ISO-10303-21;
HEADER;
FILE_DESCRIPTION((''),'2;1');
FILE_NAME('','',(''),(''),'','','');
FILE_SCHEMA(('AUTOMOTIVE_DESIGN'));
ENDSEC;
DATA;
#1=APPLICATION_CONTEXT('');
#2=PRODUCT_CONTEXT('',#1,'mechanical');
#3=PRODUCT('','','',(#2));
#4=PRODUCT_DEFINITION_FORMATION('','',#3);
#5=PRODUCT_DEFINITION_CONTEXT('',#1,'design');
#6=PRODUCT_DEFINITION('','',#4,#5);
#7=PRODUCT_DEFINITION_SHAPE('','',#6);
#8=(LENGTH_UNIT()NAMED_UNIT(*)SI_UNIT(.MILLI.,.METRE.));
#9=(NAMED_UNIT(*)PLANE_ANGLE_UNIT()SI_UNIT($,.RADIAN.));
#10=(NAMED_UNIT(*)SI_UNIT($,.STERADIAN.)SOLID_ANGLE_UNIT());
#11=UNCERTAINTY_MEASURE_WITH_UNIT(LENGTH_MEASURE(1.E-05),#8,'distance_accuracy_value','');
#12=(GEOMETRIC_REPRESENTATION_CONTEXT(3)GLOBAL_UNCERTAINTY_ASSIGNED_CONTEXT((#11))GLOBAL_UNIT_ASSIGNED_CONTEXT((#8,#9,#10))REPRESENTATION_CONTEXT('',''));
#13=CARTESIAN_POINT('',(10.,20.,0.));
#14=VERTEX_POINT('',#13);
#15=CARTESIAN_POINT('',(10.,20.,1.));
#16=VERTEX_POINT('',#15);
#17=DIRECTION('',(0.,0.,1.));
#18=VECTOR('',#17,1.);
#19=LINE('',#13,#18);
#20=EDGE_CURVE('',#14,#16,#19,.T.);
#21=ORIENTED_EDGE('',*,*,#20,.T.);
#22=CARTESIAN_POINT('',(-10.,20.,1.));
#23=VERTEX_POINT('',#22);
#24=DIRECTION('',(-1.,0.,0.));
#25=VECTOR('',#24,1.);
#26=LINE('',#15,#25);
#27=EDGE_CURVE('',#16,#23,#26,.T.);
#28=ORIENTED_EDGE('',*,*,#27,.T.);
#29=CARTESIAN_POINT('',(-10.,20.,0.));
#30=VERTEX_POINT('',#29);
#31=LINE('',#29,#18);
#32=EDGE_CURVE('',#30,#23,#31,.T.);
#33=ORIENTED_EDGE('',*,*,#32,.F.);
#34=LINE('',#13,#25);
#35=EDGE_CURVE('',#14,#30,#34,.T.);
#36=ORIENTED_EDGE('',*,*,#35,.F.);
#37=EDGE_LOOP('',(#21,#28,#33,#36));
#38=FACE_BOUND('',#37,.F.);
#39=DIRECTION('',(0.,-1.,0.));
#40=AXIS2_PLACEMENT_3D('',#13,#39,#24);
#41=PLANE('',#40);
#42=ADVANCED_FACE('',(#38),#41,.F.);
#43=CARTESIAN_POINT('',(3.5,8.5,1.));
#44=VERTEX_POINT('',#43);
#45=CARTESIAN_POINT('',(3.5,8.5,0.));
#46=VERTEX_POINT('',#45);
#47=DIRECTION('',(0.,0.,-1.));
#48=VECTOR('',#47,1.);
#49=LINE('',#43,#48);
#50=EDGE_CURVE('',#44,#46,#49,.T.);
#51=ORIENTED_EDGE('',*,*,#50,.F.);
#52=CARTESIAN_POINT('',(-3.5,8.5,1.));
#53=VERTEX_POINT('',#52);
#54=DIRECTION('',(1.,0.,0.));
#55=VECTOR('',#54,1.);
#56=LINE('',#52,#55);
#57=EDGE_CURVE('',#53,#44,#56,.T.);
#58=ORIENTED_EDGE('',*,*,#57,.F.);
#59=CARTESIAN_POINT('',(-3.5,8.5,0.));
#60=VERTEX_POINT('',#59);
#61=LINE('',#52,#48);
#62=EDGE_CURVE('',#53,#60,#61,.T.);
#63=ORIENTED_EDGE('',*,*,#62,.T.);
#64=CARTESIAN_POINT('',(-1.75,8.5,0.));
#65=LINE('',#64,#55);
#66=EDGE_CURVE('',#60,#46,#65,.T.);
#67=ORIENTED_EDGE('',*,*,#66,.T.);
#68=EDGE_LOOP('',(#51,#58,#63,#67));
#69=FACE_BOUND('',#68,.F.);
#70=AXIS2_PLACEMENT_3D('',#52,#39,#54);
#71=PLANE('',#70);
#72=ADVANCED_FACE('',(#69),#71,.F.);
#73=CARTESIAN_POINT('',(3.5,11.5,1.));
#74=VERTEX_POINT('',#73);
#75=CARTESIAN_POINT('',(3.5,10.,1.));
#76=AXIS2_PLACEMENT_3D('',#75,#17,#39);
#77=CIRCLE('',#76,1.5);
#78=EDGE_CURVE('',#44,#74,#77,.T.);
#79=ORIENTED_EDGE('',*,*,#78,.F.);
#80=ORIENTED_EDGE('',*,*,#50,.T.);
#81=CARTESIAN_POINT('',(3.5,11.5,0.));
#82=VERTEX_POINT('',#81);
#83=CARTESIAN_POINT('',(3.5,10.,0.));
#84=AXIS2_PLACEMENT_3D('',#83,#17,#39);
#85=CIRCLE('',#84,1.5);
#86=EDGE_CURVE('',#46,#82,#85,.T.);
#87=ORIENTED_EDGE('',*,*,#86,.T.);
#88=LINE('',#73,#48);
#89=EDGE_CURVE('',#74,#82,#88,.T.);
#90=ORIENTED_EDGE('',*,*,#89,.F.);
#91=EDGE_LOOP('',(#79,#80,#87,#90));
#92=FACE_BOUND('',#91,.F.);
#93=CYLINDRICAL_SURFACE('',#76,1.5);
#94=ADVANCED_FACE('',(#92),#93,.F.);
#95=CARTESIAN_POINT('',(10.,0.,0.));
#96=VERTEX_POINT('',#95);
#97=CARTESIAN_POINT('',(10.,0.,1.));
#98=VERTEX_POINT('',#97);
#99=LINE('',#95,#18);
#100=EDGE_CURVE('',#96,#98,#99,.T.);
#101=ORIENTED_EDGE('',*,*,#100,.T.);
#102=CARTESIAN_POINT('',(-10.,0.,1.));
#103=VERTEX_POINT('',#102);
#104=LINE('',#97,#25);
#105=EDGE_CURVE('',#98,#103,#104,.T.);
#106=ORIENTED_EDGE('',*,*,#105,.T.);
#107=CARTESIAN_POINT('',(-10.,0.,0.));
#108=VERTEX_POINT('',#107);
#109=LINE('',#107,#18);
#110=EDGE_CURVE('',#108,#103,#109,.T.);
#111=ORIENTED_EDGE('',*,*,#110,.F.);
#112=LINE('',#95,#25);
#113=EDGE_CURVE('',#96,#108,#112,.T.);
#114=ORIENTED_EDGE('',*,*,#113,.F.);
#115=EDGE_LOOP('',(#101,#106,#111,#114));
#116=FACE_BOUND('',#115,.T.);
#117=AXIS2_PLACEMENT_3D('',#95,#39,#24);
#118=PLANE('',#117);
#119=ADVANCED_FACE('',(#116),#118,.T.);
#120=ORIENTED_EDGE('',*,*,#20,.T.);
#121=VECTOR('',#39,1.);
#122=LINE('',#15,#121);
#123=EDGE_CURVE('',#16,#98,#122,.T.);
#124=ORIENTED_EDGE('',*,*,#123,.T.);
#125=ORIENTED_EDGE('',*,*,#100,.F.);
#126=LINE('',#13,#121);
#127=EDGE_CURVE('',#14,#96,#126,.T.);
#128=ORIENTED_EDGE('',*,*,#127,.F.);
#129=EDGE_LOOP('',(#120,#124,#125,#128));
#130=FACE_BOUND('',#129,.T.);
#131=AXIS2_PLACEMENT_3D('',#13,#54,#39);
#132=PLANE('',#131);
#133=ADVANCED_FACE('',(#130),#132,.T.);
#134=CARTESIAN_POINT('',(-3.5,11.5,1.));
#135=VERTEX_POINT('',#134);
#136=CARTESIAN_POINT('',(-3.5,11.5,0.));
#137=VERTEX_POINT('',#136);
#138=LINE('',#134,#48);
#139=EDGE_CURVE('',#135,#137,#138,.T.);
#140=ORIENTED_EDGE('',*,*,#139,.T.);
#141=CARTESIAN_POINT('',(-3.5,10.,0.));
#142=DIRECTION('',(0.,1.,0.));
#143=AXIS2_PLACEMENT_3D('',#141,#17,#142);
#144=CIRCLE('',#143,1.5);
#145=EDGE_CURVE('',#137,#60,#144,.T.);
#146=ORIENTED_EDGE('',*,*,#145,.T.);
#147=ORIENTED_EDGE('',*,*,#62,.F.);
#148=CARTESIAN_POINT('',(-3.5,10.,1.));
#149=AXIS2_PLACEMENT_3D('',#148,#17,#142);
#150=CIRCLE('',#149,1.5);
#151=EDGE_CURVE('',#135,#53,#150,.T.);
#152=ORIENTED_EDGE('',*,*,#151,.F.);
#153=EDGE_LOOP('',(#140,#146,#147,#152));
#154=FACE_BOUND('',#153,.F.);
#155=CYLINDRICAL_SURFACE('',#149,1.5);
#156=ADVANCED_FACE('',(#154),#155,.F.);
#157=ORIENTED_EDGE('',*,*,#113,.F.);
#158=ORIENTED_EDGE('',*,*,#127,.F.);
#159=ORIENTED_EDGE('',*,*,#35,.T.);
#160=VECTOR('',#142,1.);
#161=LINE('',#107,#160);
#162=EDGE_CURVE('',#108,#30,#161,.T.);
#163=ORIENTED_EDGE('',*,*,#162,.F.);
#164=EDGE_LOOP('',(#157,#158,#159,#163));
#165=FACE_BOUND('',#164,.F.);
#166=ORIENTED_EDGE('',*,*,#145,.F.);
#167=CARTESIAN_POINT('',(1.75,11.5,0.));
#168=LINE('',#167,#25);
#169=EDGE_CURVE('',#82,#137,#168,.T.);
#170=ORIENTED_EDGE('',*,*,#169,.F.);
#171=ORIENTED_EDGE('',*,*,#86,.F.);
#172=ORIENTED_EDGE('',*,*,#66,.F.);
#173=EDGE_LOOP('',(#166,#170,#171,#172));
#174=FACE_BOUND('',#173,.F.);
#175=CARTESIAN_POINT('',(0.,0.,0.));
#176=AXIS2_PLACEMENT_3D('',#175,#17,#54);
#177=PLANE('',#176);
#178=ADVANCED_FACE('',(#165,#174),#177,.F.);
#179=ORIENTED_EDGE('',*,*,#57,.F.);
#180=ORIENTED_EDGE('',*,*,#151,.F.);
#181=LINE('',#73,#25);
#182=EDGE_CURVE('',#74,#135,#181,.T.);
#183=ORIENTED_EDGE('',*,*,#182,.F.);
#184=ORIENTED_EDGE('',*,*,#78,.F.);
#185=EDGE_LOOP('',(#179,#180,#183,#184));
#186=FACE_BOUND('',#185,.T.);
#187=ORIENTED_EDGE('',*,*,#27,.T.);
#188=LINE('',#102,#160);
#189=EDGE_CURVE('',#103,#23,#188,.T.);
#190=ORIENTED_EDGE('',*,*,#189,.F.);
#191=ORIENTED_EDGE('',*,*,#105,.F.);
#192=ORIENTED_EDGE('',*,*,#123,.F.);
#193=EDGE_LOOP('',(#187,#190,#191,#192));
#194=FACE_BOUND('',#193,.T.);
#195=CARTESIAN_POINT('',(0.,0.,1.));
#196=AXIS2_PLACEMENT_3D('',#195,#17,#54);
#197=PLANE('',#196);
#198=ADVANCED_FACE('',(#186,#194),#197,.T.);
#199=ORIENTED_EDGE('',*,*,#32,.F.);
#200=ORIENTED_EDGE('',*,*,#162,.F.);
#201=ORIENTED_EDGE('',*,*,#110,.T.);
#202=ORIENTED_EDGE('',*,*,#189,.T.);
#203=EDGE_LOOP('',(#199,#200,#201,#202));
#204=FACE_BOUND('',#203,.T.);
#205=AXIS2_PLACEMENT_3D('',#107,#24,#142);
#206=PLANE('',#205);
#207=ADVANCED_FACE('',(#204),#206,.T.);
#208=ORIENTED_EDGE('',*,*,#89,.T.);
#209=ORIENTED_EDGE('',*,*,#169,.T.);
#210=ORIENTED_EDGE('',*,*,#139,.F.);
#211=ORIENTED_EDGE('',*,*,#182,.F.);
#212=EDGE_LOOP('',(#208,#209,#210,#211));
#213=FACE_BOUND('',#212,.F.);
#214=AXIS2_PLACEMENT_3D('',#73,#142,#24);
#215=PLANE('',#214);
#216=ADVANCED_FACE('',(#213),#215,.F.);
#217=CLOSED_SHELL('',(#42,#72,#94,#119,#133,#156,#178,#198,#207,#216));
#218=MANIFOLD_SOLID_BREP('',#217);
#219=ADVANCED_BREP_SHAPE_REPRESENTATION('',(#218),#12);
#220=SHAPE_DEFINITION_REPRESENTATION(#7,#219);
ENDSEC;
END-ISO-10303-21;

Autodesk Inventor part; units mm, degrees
ref_plane "YZ Plane" through (0, 0, 0) normal (1, 0, 0) x (0, 1, 0)
ref_plane "XZ Plane" through (0, 0, 0) normal (0, 1, 0) x (-1, 0, 0)
ref_plane "XY Plane" through (0, 0, 0) normal (0, 0, 1) x (1, 0, 0)
ref_plane "Work Plane1" through (0, 0, 0) normal (0, 0, 1) x (1, 0, 0)
sketch "Sketch1" plane through (0, 0, 0) normal (0, 0, 1) x (1, 0, 0)
  line L0 (-8, 18) -> (8, 18) projected
  line L1 (8, 18) -> (8, 2) projected
  line L2 (8, 2) -> (-8, 2) projected
  line L3 (-8, 2) -> (-8, 18) projected
  line L4 (10, 20) -> (-10, 20) projected
  line L5 (-10, 0) -> (-10, 20) projected
  line L6 (10, 0) -> (-10, 0) projected
  line L7 (10, 20) -> (10, 0) projected
  point P0 (0, 0)
extrude "Extrusion1" add sketch "Sketch1" along normal blind 1 contours L0 L1 L2 L3 | L7 L6 L5 L4
sketch "Sketch2" plane through (0, 0, 1) normal (0, 0, 1) x (1, 0, 0)
  line L0 (5, 10) -> (-5, 10) construction
  line L1 (3.5, 11.5) -> (-3.5, 11.5)
  line L2 (-3.5, 8.5) -> (3.5, 8.5)
  arc A0 (3.5, 8.5) -> (3.5, 11.5) centre (3.5, 10) ccw
  arc A1 (-3.5, 11.5) -> (-3.5, 8.5) centre (-3.5, 10) ccw
  line L3 (10, 20) -> (-10, 20) projected
  line L4 (-10, 20) -> (-10, 0) projected
  line L5 (10, 0) -> (10, 20) projected
  line L6 (-10, 0) -> (10, 0) projected
  point P0 (0, 0)
  point P1 (0, 10)
  dimension "d2" = 10
  dimension "d3" = 3
  dimension "d4" = 8.5
  dimension "d5" = 5
  dimension "d6" = 5
  dimension "d7" = 8.5
extrude "Extrusion2" cut sketch "Sketch2" against normal through all contours A0 L2 A1 L1
equation "\"d4\" = d7"
equation "\"d5\" = d6"
properties part number "top"
